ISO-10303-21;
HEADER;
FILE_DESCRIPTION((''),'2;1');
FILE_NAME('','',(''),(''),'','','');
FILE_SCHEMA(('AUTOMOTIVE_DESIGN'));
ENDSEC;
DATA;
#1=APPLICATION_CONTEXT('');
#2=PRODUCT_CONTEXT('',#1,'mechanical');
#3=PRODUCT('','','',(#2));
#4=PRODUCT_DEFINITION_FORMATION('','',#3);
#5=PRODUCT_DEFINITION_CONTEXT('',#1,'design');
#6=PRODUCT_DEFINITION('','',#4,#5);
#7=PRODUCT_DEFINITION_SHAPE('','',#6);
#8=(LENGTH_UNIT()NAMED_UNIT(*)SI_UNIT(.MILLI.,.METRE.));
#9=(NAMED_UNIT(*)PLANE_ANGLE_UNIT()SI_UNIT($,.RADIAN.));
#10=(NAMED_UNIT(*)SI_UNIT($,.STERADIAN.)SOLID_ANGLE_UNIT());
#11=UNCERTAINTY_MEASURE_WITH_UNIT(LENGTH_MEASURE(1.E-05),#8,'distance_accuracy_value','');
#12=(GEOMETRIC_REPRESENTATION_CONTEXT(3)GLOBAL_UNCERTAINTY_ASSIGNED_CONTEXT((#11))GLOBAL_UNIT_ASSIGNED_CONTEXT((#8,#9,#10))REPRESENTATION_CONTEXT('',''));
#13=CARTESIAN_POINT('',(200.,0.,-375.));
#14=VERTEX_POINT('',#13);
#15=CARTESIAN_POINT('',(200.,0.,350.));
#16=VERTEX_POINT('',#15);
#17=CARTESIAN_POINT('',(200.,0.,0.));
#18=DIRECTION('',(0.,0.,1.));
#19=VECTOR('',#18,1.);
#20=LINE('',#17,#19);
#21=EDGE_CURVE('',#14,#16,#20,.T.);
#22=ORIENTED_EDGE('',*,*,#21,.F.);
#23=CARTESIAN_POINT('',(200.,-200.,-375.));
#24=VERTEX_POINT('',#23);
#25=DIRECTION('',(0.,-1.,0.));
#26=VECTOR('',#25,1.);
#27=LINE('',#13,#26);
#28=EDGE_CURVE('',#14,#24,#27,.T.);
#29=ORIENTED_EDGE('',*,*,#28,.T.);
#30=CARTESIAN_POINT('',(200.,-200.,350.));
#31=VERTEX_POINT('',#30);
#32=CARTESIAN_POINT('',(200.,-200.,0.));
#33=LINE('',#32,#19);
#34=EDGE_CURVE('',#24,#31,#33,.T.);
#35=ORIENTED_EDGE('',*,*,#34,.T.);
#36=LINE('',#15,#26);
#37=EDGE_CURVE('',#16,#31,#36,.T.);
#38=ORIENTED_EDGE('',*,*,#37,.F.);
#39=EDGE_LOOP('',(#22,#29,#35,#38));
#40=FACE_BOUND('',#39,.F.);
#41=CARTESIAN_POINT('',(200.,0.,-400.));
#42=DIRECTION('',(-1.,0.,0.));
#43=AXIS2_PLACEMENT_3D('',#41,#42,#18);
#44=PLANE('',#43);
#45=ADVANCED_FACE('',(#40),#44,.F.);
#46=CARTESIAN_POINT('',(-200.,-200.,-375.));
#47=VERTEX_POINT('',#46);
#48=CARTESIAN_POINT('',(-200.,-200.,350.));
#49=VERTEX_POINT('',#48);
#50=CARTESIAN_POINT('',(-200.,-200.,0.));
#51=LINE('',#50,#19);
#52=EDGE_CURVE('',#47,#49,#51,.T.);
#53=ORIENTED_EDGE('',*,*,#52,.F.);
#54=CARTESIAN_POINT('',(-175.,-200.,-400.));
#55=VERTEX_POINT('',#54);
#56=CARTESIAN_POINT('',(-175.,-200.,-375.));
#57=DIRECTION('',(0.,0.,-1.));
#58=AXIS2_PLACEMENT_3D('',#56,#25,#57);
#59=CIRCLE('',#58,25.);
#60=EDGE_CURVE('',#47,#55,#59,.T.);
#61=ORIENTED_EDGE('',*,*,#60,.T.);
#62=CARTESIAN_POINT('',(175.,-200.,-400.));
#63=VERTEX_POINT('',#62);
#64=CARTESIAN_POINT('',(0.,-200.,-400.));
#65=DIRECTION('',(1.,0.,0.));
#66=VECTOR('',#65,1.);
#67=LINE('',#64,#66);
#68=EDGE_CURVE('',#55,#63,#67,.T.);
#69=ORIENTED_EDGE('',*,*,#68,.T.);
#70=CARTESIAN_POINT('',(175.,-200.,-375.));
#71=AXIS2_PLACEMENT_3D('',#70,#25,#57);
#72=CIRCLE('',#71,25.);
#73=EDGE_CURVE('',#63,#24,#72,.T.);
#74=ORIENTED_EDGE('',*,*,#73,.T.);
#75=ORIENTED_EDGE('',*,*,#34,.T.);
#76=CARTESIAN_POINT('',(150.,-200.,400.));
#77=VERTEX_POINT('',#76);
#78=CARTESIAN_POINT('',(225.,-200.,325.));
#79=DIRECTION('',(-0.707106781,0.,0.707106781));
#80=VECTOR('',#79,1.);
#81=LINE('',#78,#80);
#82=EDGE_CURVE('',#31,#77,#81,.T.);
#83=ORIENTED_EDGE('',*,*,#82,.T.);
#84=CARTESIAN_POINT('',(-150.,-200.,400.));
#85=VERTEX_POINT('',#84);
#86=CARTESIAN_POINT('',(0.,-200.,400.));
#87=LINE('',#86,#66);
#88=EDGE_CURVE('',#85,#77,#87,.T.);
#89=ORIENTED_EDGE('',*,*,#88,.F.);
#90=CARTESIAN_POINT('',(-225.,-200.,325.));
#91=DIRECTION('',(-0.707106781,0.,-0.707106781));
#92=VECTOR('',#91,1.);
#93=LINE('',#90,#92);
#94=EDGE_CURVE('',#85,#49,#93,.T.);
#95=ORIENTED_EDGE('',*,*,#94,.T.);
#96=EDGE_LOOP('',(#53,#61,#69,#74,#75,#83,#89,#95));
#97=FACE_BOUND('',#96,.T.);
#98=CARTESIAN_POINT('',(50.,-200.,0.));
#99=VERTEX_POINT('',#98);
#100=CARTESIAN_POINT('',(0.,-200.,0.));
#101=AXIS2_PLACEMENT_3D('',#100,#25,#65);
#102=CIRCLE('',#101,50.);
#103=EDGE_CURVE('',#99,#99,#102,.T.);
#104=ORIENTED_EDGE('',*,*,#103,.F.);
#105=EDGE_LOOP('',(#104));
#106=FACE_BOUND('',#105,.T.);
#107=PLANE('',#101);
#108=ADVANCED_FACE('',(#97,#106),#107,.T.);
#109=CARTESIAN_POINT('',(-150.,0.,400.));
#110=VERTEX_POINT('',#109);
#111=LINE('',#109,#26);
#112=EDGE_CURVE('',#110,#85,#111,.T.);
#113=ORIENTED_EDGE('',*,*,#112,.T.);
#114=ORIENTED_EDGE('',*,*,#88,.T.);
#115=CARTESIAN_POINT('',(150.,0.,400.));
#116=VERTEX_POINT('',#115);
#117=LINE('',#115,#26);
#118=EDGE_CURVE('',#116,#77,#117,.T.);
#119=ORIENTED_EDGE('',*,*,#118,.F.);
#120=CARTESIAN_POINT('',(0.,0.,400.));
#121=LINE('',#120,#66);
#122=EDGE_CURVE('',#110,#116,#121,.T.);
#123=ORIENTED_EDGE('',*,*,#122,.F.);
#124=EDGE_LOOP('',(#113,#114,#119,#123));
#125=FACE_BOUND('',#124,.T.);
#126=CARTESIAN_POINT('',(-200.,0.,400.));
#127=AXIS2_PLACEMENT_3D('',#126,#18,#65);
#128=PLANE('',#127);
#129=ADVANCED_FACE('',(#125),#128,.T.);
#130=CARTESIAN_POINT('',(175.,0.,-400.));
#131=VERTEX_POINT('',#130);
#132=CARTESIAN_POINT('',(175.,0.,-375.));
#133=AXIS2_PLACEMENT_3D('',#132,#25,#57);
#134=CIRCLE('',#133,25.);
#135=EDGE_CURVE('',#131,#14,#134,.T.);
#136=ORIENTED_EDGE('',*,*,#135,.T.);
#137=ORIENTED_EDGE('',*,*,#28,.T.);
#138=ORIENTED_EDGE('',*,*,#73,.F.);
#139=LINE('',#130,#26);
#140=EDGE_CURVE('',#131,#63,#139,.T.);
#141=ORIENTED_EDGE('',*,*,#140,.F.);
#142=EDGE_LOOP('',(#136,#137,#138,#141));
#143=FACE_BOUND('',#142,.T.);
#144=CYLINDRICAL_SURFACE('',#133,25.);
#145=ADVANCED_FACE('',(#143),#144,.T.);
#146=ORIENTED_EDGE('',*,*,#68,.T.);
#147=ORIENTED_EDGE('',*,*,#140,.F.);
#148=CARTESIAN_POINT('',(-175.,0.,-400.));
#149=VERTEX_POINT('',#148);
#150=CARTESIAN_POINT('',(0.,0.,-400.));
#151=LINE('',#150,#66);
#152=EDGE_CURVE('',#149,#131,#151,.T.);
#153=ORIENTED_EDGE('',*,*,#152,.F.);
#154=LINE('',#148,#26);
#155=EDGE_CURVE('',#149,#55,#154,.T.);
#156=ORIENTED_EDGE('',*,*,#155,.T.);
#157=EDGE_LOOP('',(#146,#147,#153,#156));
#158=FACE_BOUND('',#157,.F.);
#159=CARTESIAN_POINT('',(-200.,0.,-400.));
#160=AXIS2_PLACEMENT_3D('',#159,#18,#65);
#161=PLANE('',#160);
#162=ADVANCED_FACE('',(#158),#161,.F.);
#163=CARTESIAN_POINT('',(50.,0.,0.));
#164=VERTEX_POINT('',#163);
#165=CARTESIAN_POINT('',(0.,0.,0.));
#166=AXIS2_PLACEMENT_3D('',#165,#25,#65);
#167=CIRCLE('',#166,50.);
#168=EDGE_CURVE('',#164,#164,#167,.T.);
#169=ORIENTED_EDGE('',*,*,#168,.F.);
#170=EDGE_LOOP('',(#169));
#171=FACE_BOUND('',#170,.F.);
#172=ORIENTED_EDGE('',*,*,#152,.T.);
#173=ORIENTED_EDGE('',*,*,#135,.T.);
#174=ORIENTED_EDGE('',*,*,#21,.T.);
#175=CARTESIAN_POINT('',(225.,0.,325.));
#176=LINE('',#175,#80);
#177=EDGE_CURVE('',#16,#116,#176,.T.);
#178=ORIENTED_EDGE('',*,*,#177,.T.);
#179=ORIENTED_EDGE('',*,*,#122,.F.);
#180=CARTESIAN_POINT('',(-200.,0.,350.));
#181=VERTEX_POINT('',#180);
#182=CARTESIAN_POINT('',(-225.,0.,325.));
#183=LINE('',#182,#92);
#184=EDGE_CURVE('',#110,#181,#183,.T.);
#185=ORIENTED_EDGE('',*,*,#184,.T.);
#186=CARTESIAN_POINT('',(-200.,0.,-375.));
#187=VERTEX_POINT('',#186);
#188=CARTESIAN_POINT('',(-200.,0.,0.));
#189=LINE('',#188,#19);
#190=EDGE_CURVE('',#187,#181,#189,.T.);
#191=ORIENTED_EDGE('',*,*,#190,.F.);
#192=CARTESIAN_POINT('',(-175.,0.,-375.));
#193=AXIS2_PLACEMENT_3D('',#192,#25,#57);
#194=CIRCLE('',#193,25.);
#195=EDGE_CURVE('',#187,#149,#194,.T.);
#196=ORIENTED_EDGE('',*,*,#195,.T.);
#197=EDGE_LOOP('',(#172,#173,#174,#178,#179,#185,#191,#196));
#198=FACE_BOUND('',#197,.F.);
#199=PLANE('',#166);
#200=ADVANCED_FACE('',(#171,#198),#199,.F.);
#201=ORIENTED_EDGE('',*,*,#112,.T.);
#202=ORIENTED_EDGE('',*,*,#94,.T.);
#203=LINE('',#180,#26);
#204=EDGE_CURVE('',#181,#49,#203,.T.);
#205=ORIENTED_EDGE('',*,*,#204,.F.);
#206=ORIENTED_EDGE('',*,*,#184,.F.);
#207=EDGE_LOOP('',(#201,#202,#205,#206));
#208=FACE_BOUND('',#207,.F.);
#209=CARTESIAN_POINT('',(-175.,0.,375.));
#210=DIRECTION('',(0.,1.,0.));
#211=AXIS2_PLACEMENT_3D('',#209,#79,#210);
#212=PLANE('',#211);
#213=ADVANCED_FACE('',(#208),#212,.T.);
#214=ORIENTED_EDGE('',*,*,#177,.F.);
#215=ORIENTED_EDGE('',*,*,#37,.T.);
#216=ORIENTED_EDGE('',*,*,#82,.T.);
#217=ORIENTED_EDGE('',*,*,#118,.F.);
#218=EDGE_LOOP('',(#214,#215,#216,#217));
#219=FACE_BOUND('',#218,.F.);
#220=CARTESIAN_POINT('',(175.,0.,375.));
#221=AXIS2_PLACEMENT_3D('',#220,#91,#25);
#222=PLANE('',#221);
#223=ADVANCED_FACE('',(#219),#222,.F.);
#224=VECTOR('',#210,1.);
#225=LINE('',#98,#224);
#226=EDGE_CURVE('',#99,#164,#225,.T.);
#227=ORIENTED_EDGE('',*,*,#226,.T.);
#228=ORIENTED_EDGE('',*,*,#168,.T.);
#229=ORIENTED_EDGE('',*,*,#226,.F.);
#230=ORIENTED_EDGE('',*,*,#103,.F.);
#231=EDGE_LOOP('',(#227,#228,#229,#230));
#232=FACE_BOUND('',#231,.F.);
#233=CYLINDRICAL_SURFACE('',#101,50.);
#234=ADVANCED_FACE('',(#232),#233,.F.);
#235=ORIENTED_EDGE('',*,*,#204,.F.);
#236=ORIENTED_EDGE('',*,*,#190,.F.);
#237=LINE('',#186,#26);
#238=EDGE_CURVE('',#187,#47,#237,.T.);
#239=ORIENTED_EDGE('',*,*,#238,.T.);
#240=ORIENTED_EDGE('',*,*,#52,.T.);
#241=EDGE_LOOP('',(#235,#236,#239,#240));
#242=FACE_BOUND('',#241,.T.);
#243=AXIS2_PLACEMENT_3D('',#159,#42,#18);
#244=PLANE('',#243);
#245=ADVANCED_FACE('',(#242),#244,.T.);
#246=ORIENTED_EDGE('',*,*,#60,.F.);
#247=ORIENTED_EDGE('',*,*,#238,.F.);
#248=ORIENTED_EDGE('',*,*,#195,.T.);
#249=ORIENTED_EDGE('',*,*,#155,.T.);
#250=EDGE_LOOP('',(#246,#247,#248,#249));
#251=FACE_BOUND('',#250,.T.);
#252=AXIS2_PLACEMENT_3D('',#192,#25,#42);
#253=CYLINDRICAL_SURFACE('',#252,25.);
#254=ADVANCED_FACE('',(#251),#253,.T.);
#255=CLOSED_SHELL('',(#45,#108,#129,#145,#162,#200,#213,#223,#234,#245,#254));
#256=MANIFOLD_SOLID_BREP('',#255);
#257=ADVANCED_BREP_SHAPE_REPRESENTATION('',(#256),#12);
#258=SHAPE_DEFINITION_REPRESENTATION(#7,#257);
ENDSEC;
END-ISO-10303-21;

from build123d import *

# Parameters (mm, degrees)
F0_W     = 400
F0_H     = 800
F1_DEPTH = 200
F2_SIZE  = 50
F3_SIZE  = 50
F4_R     = 25
F5_R     = 25
F6_R     = 50
F7_DEPTH = 508


with BuildPart() as f1:
    # F0 (on Front) → F1 (new body)
    with BuildSketch(Plane.XZ):
        Rectangle(F0_W, F0_H)
    extrude(amount=F1_DEPTH)

    # F2
    f2_edges = [f1.edges().sort_by_distance(p)[0] for p in [
        (200, -100, 400),
    ]]
    chamfer(f2_edges, length=F2_SIZE)

    # F3
    f3_edges = [f1.edges().sort_by_distance(p)[0] for p in [
        (-200, -100, 400),
    ]]
    chamfer(f3_edges, length=F3_SIZE)

    # F4
    f4_edges = [f1.edges().sort_by_distance(p)[0] for p in [
        (-200, -100, -400),
    ]]
    fillet(f4_edges, radius=F4_R)

    # F5
    f5_edges = [f1.edges().sort_by_distance(p)[0] for p in [
        (200, -100, -400),
    ]]
    fillet(f5_edges, radius=F5_R)

    # F6 (on face) → F7 (cut)
    with BuildSketch(Plane.XZ.offset(200)):
        Circle(F6_R)
    extrude(amount=-F7_DEPTH, mode=Mode.SUBTRACT)


solid = f1.part
